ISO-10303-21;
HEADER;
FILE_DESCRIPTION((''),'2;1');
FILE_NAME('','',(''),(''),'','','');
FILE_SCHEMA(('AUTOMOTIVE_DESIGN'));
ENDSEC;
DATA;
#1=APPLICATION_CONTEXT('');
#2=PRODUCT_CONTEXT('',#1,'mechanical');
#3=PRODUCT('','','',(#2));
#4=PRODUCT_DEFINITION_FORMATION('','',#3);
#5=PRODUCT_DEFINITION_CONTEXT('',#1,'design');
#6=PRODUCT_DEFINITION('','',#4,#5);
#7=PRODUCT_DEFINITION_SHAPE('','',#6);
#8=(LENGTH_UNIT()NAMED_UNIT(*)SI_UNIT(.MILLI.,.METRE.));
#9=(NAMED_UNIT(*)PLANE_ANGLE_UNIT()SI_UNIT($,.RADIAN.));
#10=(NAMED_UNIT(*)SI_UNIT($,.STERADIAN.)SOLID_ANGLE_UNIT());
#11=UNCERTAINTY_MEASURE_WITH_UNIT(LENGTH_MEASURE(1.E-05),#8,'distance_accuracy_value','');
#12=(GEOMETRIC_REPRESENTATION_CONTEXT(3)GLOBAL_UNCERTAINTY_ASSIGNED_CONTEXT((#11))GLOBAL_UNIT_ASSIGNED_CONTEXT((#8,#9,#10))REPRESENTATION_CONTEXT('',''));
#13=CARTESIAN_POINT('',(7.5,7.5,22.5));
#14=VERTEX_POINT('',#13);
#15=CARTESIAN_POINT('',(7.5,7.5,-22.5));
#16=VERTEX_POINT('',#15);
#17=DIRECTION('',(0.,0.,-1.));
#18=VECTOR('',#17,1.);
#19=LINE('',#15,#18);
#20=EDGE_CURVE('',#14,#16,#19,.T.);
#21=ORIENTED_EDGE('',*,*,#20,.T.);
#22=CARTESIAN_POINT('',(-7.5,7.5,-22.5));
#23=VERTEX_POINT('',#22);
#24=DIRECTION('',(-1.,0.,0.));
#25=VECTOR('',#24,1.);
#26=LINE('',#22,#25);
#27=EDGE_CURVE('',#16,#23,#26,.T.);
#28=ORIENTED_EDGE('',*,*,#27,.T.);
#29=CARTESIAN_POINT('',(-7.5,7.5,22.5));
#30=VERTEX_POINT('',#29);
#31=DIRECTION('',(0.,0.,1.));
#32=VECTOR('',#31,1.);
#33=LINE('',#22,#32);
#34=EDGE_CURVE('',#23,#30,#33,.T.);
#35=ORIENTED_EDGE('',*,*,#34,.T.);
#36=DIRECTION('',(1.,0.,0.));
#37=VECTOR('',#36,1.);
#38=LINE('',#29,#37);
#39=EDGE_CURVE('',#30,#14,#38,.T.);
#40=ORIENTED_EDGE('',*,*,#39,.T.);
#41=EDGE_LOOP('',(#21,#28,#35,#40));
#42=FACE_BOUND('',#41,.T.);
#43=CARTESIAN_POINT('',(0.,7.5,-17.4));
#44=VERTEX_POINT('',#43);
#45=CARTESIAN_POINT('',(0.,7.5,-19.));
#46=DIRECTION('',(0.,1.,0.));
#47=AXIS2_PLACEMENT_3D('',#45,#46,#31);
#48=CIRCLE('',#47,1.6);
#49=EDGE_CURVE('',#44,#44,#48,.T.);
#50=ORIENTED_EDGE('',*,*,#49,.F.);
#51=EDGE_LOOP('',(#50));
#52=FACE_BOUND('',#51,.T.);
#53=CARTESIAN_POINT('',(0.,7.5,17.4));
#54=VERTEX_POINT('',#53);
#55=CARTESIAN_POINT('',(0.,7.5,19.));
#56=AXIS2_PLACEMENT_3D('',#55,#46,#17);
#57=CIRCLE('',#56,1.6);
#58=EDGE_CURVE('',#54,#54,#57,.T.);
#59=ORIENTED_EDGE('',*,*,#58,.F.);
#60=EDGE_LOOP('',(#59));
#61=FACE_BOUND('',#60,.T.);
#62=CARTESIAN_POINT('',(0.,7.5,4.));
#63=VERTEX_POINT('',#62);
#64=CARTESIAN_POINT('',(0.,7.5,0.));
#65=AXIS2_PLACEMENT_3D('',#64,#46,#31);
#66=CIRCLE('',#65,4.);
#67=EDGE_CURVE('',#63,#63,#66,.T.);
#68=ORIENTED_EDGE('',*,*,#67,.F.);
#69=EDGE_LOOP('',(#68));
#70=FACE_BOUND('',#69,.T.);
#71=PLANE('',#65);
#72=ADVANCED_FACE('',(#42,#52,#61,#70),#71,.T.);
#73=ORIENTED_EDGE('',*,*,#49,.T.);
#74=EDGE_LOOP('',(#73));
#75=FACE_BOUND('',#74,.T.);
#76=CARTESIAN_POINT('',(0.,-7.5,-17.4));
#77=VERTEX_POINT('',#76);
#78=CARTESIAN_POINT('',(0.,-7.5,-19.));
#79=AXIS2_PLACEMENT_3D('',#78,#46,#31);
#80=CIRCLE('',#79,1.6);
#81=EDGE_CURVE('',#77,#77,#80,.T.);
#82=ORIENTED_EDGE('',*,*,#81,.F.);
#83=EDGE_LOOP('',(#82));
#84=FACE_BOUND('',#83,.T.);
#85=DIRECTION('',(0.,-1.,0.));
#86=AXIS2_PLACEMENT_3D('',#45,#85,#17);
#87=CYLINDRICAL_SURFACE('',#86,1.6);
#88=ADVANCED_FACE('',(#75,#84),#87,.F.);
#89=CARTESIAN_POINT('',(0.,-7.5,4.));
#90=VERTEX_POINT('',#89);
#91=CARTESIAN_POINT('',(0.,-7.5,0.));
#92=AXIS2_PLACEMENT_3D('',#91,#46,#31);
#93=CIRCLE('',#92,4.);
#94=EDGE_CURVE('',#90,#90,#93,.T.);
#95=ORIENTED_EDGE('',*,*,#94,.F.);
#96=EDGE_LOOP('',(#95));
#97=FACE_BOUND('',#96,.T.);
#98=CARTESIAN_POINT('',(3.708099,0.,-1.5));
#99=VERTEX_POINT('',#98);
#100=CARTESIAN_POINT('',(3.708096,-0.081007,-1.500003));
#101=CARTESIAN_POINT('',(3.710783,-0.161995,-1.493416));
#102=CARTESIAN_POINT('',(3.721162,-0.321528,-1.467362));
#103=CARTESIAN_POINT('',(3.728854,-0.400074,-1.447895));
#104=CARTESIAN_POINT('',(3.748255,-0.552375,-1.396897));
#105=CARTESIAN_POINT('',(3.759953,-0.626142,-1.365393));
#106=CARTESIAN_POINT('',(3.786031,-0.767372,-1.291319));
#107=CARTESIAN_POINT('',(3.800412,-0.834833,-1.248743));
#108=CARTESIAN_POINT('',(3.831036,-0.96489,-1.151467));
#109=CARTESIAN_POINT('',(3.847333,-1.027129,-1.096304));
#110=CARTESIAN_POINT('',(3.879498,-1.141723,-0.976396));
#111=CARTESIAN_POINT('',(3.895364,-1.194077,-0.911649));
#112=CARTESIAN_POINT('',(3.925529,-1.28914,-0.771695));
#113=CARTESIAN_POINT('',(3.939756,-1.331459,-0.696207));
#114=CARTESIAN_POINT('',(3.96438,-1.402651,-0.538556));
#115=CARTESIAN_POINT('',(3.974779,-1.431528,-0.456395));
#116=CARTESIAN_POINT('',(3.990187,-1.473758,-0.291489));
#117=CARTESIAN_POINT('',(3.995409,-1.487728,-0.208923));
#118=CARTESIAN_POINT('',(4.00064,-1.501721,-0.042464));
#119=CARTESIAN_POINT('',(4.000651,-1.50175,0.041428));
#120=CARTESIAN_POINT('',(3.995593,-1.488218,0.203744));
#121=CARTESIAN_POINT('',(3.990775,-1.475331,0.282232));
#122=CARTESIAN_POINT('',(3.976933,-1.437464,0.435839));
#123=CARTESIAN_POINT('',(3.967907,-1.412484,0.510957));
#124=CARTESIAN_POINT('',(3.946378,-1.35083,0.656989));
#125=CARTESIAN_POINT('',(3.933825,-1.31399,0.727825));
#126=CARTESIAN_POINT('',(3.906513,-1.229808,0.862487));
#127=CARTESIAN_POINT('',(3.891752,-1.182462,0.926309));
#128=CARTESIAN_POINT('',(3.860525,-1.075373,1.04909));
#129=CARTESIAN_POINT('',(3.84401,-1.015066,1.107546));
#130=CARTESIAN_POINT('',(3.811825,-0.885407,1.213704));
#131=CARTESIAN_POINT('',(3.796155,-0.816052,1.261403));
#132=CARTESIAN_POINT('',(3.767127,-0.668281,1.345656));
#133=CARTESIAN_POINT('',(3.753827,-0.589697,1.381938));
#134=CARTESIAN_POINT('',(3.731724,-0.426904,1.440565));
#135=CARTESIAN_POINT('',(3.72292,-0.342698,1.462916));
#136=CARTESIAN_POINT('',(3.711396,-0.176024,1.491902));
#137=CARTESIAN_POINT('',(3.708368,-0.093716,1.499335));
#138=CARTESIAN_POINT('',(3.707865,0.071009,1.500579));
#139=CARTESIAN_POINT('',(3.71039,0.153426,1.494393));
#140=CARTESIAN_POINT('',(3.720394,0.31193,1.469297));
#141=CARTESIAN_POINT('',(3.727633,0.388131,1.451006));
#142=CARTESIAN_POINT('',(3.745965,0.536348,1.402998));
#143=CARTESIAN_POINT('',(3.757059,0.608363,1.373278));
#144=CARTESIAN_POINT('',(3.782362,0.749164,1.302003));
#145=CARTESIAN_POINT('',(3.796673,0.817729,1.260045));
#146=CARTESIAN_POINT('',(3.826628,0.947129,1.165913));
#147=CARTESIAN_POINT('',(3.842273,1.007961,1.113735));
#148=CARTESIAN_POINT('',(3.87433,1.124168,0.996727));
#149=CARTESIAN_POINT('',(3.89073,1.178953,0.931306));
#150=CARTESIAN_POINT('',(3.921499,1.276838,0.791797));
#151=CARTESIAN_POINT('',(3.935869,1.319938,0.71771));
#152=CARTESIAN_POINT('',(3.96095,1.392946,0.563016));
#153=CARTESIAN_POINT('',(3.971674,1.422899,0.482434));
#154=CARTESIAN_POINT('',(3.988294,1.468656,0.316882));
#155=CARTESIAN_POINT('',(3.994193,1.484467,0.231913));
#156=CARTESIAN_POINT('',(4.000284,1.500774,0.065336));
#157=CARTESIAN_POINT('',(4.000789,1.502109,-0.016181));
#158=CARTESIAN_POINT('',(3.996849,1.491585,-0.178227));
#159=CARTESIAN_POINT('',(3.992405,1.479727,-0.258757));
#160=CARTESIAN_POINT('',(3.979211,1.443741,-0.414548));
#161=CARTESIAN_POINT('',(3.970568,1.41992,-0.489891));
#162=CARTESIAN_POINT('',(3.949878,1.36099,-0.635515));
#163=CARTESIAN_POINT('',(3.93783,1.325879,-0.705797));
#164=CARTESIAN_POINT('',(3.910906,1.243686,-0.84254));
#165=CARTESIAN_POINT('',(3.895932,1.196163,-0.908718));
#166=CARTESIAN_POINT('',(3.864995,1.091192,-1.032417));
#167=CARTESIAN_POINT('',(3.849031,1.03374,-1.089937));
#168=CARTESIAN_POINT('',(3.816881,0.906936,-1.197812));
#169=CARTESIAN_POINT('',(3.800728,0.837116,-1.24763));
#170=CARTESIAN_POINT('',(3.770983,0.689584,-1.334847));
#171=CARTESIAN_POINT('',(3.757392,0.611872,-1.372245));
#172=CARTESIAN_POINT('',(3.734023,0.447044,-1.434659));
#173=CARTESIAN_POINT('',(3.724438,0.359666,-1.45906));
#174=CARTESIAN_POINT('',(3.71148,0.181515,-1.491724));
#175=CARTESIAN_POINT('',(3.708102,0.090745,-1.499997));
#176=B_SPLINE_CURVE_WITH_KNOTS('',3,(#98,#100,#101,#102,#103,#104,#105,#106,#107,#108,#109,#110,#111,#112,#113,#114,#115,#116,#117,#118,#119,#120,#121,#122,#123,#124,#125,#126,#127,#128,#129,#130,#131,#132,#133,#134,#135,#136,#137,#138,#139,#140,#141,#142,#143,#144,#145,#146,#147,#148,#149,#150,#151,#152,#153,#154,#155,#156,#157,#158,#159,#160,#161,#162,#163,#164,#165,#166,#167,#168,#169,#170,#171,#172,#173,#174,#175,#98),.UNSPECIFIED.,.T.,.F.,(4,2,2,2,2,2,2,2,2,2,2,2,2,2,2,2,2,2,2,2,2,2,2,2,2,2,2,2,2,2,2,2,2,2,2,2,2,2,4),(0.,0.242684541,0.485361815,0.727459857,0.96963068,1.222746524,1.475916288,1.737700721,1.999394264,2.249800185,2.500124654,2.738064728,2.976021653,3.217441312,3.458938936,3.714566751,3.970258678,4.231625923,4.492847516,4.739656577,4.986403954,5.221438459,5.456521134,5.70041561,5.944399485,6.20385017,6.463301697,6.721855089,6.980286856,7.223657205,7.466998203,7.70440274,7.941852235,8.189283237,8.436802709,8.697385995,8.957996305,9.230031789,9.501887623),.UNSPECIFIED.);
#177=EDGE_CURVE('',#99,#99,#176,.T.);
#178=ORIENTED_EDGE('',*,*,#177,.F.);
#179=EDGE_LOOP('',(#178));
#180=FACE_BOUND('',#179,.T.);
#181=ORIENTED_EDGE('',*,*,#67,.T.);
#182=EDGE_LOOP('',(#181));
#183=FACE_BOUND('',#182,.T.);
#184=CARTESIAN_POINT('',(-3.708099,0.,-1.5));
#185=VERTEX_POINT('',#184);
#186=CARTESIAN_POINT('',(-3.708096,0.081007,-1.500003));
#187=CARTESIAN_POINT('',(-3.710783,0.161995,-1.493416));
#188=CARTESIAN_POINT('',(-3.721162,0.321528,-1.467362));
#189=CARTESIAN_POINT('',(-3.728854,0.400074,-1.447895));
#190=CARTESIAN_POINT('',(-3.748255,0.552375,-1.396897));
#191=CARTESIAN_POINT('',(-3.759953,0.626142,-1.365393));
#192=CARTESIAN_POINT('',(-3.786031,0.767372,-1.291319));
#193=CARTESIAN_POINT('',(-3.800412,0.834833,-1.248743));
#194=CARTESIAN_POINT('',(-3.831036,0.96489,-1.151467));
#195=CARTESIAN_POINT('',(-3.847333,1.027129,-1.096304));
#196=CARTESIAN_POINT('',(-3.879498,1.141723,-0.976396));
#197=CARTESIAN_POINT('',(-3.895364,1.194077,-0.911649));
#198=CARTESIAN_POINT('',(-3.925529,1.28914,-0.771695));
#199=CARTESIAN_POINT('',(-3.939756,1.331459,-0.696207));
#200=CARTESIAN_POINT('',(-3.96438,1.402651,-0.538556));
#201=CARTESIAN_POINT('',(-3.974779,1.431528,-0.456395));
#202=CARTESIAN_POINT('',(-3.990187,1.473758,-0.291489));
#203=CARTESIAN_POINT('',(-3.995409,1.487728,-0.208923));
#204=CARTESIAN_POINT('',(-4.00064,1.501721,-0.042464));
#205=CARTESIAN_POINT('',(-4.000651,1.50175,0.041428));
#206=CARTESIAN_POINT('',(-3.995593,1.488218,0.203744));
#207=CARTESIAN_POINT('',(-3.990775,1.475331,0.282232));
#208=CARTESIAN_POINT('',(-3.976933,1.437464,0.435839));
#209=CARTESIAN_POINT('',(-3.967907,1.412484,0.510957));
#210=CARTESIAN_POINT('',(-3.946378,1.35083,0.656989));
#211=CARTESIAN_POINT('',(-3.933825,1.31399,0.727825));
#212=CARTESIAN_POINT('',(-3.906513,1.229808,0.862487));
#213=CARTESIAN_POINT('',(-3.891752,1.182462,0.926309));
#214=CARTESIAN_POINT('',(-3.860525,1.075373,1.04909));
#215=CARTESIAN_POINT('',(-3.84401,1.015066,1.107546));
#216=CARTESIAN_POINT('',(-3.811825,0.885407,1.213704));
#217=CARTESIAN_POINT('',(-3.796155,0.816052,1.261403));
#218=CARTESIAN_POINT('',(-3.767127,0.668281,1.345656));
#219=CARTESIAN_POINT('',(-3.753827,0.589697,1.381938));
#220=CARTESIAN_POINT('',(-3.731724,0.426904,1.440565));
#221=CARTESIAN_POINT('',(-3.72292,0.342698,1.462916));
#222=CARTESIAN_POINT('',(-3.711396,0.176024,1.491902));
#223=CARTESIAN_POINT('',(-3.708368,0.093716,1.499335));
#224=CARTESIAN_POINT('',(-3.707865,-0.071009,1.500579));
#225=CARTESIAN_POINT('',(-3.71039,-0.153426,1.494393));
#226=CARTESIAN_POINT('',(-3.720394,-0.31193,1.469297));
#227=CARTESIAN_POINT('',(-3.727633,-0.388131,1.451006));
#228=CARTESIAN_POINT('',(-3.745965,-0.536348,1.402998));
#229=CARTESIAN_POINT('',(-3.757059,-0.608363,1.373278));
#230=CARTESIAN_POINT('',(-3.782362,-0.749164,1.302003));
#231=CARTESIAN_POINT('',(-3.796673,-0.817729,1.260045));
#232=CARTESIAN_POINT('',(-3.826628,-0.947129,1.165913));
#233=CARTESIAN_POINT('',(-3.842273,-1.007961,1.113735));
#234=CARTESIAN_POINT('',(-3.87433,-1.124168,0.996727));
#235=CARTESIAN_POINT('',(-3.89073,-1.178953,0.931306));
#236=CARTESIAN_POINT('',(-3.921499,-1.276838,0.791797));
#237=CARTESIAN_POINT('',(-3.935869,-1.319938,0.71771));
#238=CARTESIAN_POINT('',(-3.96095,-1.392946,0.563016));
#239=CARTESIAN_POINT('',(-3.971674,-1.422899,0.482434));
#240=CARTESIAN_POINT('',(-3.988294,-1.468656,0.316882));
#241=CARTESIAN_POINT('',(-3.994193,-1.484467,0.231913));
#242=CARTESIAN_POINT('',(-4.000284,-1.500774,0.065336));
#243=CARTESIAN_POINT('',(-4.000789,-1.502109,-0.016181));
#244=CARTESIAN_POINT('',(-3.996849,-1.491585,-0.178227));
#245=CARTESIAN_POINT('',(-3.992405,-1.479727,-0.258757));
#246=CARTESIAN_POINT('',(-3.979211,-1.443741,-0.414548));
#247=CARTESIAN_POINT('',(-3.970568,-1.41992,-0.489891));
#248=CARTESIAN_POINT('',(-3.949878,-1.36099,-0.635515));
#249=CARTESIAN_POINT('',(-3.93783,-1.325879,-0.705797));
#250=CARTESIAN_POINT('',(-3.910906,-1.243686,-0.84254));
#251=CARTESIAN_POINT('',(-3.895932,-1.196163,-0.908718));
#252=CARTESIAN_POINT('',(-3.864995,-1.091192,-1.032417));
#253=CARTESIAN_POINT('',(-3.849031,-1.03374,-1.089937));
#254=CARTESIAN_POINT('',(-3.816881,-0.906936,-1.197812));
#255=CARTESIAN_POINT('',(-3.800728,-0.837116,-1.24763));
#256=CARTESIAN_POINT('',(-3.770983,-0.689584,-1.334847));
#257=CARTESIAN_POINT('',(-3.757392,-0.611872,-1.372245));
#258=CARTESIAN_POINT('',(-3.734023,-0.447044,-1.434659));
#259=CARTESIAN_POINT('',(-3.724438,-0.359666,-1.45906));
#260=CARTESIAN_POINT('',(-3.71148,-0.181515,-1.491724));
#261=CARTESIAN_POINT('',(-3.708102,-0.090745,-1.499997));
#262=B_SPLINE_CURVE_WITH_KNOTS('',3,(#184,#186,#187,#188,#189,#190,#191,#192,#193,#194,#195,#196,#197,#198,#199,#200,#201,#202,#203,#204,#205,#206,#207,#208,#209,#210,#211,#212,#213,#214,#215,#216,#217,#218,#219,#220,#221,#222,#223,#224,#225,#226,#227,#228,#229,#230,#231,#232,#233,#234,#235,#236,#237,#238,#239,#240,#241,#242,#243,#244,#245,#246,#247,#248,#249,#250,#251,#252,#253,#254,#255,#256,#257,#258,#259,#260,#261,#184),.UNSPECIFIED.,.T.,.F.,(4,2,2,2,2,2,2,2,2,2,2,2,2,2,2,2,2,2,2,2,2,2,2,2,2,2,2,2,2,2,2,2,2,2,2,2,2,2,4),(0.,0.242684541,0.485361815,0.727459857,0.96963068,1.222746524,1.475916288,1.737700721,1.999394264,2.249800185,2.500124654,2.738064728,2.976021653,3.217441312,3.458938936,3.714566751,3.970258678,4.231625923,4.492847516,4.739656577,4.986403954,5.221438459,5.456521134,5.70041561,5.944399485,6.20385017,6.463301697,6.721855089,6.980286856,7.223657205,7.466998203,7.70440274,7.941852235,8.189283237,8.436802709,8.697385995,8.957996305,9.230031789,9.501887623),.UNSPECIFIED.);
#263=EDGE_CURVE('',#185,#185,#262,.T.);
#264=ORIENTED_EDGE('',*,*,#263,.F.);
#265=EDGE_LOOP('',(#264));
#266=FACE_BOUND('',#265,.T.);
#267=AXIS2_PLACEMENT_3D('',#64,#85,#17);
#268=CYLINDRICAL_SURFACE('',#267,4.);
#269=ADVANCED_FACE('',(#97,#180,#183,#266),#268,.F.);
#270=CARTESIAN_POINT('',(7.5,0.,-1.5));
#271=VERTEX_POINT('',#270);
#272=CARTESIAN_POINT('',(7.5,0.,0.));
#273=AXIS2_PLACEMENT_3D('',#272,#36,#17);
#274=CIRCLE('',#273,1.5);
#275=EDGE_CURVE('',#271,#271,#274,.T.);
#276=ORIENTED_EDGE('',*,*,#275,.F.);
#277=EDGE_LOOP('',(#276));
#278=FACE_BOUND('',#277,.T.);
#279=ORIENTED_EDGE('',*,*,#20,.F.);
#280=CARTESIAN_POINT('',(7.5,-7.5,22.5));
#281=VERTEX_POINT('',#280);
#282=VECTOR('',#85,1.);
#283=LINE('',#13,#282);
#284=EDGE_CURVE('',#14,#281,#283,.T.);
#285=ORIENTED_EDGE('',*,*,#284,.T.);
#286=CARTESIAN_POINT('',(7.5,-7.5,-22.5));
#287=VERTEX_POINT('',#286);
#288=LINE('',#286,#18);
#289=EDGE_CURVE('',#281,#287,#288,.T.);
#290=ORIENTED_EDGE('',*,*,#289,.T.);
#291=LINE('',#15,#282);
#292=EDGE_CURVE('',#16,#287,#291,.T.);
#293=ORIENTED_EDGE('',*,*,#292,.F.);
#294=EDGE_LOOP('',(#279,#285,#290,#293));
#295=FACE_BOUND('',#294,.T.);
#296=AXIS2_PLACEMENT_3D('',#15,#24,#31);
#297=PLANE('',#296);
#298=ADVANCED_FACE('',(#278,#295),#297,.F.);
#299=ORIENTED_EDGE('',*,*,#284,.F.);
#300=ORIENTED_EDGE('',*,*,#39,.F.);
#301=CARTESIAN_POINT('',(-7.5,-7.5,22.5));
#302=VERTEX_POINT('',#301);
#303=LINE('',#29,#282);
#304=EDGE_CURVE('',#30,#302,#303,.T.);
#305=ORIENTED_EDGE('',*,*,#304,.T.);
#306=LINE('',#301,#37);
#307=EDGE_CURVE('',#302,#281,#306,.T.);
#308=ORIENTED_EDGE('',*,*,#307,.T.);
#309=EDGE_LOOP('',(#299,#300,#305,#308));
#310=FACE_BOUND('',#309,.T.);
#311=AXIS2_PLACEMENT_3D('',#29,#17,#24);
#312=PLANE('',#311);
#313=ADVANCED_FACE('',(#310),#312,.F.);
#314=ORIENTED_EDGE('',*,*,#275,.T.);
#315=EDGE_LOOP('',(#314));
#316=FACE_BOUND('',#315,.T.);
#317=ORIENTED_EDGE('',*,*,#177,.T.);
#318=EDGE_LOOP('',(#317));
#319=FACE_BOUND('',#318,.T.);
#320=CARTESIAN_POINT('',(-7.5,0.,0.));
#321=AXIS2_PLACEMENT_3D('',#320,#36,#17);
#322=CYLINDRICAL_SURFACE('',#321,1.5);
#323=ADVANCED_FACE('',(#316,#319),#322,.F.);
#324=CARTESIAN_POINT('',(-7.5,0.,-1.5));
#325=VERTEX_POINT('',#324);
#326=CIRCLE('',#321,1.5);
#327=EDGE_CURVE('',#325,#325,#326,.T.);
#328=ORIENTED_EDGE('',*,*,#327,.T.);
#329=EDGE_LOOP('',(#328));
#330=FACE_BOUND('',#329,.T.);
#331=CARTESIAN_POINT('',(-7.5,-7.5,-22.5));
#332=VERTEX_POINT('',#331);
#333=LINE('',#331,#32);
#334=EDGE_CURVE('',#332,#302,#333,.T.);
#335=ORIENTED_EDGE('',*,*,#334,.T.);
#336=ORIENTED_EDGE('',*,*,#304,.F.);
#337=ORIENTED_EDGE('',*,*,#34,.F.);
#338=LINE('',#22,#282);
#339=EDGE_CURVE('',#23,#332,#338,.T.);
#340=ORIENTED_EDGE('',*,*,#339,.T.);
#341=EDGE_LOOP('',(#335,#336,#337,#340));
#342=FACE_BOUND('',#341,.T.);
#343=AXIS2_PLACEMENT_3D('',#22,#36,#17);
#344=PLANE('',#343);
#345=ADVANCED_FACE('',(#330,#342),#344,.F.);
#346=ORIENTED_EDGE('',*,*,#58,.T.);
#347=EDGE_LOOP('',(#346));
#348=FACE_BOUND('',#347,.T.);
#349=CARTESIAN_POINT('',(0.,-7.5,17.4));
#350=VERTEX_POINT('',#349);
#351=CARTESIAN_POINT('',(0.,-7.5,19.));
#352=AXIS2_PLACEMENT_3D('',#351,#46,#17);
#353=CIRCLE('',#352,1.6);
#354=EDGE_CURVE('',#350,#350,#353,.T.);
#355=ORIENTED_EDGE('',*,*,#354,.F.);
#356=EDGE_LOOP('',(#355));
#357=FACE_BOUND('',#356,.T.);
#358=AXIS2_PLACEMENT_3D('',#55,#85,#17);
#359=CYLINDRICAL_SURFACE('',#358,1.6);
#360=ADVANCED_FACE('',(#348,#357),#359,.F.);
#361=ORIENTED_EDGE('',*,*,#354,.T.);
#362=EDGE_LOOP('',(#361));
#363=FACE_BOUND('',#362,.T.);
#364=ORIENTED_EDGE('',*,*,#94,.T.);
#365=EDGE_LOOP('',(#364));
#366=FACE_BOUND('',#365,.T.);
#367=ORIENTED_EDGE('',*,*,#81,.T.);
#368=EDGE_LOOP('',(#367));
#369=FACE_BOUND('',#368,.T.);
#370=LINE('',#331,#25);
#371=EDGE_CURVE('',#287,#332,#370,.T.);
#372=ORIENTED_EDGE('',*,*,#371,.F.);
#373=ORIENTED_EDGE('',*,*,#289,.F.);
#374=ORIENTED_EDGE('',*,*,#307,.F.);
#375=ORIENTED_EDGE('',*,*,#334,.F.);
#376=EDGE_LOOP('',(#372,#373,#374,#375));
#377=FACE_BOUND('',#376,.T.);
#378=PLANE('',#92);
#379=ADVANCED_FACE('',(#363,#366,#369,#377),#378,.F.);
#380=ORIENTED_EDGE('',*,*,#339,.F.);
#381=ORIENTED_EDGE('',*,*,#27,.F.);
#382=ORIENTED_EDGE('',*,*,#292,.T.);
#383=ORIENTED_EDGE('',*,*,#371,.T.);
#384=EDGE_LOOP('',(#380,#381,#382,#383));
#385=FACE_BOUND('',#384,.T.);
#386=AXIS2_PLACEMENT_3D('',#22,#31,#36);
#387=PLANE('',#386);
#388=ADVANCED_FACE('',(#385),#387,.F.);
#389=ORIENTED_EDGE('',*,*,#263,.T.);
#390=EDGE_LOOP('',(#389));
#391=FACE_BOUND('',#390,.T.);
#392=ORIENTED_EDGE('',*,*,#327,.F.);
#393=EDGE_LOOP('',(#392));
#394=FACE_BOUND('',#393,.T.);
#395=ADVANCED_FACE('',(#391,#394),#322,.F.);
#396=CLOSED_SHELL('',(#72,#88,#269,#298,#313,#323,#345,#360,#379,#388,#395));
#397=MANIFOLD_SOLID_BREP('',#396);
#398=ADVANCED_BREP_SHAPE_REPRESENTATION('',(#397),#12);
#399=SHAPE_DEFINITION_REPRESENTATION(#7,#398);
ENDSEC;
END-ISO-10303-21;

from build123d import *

# Parameters (mm, degrees)
SKETCH_1_W          = 15
SKETCH_1_H          = 45
SKETCH_1_R          = 4
SKETCH_1_R_2        = 1.6
EXTRUDE_1_DEPTH     = 7.5
SKETCH_2_R          = 1.5
CUT_EXTRUDE_1_DEPTH = 29.062430401


with BuildPart() as part:
    # 草图1 → 凸台-拉伸1 (new, symmetric)
    with BuildSketch(Plane(origin=(0, 0, 0), x_dir=(1, 0, 0), z_dir=(0, 1, 0))):
        Rectangle(SKETCH_1_W, SKETCH_1_H)
        with Locations(Location((0, 0, 0), (0, 0, 270))):
            Circle(SKETCH_1_R, mode=Mode.SUBTRACT)
        with Locations(Location((0, 19, 0), (0, 0, 270))):
            Circle(SKETCH_1_R_2, mode=Mode.SUBTRACT)
        with Locations(Location((0, -19, 0), (0, 0, 90))):
            Circle(SKETCH_1_R_2, mode=Mode.SUBTRACT)
    extrude(amount=EXTRUDE_1_DEPTH, both=True)

    # 草图2 → 切除-拉伸1 (cut, through all)
    with BuildSketch(Plane(origin=(7.5, 0, 0), x_dir=(0, 0, -1), z_dir=(1, 0, 0))):
        Circle(SKETCH_2_R)
    extrude(amount=-CUT_EXTRUDE_1_DEPTH, mode=Mode.SUBTRACT)


solid = part.part
